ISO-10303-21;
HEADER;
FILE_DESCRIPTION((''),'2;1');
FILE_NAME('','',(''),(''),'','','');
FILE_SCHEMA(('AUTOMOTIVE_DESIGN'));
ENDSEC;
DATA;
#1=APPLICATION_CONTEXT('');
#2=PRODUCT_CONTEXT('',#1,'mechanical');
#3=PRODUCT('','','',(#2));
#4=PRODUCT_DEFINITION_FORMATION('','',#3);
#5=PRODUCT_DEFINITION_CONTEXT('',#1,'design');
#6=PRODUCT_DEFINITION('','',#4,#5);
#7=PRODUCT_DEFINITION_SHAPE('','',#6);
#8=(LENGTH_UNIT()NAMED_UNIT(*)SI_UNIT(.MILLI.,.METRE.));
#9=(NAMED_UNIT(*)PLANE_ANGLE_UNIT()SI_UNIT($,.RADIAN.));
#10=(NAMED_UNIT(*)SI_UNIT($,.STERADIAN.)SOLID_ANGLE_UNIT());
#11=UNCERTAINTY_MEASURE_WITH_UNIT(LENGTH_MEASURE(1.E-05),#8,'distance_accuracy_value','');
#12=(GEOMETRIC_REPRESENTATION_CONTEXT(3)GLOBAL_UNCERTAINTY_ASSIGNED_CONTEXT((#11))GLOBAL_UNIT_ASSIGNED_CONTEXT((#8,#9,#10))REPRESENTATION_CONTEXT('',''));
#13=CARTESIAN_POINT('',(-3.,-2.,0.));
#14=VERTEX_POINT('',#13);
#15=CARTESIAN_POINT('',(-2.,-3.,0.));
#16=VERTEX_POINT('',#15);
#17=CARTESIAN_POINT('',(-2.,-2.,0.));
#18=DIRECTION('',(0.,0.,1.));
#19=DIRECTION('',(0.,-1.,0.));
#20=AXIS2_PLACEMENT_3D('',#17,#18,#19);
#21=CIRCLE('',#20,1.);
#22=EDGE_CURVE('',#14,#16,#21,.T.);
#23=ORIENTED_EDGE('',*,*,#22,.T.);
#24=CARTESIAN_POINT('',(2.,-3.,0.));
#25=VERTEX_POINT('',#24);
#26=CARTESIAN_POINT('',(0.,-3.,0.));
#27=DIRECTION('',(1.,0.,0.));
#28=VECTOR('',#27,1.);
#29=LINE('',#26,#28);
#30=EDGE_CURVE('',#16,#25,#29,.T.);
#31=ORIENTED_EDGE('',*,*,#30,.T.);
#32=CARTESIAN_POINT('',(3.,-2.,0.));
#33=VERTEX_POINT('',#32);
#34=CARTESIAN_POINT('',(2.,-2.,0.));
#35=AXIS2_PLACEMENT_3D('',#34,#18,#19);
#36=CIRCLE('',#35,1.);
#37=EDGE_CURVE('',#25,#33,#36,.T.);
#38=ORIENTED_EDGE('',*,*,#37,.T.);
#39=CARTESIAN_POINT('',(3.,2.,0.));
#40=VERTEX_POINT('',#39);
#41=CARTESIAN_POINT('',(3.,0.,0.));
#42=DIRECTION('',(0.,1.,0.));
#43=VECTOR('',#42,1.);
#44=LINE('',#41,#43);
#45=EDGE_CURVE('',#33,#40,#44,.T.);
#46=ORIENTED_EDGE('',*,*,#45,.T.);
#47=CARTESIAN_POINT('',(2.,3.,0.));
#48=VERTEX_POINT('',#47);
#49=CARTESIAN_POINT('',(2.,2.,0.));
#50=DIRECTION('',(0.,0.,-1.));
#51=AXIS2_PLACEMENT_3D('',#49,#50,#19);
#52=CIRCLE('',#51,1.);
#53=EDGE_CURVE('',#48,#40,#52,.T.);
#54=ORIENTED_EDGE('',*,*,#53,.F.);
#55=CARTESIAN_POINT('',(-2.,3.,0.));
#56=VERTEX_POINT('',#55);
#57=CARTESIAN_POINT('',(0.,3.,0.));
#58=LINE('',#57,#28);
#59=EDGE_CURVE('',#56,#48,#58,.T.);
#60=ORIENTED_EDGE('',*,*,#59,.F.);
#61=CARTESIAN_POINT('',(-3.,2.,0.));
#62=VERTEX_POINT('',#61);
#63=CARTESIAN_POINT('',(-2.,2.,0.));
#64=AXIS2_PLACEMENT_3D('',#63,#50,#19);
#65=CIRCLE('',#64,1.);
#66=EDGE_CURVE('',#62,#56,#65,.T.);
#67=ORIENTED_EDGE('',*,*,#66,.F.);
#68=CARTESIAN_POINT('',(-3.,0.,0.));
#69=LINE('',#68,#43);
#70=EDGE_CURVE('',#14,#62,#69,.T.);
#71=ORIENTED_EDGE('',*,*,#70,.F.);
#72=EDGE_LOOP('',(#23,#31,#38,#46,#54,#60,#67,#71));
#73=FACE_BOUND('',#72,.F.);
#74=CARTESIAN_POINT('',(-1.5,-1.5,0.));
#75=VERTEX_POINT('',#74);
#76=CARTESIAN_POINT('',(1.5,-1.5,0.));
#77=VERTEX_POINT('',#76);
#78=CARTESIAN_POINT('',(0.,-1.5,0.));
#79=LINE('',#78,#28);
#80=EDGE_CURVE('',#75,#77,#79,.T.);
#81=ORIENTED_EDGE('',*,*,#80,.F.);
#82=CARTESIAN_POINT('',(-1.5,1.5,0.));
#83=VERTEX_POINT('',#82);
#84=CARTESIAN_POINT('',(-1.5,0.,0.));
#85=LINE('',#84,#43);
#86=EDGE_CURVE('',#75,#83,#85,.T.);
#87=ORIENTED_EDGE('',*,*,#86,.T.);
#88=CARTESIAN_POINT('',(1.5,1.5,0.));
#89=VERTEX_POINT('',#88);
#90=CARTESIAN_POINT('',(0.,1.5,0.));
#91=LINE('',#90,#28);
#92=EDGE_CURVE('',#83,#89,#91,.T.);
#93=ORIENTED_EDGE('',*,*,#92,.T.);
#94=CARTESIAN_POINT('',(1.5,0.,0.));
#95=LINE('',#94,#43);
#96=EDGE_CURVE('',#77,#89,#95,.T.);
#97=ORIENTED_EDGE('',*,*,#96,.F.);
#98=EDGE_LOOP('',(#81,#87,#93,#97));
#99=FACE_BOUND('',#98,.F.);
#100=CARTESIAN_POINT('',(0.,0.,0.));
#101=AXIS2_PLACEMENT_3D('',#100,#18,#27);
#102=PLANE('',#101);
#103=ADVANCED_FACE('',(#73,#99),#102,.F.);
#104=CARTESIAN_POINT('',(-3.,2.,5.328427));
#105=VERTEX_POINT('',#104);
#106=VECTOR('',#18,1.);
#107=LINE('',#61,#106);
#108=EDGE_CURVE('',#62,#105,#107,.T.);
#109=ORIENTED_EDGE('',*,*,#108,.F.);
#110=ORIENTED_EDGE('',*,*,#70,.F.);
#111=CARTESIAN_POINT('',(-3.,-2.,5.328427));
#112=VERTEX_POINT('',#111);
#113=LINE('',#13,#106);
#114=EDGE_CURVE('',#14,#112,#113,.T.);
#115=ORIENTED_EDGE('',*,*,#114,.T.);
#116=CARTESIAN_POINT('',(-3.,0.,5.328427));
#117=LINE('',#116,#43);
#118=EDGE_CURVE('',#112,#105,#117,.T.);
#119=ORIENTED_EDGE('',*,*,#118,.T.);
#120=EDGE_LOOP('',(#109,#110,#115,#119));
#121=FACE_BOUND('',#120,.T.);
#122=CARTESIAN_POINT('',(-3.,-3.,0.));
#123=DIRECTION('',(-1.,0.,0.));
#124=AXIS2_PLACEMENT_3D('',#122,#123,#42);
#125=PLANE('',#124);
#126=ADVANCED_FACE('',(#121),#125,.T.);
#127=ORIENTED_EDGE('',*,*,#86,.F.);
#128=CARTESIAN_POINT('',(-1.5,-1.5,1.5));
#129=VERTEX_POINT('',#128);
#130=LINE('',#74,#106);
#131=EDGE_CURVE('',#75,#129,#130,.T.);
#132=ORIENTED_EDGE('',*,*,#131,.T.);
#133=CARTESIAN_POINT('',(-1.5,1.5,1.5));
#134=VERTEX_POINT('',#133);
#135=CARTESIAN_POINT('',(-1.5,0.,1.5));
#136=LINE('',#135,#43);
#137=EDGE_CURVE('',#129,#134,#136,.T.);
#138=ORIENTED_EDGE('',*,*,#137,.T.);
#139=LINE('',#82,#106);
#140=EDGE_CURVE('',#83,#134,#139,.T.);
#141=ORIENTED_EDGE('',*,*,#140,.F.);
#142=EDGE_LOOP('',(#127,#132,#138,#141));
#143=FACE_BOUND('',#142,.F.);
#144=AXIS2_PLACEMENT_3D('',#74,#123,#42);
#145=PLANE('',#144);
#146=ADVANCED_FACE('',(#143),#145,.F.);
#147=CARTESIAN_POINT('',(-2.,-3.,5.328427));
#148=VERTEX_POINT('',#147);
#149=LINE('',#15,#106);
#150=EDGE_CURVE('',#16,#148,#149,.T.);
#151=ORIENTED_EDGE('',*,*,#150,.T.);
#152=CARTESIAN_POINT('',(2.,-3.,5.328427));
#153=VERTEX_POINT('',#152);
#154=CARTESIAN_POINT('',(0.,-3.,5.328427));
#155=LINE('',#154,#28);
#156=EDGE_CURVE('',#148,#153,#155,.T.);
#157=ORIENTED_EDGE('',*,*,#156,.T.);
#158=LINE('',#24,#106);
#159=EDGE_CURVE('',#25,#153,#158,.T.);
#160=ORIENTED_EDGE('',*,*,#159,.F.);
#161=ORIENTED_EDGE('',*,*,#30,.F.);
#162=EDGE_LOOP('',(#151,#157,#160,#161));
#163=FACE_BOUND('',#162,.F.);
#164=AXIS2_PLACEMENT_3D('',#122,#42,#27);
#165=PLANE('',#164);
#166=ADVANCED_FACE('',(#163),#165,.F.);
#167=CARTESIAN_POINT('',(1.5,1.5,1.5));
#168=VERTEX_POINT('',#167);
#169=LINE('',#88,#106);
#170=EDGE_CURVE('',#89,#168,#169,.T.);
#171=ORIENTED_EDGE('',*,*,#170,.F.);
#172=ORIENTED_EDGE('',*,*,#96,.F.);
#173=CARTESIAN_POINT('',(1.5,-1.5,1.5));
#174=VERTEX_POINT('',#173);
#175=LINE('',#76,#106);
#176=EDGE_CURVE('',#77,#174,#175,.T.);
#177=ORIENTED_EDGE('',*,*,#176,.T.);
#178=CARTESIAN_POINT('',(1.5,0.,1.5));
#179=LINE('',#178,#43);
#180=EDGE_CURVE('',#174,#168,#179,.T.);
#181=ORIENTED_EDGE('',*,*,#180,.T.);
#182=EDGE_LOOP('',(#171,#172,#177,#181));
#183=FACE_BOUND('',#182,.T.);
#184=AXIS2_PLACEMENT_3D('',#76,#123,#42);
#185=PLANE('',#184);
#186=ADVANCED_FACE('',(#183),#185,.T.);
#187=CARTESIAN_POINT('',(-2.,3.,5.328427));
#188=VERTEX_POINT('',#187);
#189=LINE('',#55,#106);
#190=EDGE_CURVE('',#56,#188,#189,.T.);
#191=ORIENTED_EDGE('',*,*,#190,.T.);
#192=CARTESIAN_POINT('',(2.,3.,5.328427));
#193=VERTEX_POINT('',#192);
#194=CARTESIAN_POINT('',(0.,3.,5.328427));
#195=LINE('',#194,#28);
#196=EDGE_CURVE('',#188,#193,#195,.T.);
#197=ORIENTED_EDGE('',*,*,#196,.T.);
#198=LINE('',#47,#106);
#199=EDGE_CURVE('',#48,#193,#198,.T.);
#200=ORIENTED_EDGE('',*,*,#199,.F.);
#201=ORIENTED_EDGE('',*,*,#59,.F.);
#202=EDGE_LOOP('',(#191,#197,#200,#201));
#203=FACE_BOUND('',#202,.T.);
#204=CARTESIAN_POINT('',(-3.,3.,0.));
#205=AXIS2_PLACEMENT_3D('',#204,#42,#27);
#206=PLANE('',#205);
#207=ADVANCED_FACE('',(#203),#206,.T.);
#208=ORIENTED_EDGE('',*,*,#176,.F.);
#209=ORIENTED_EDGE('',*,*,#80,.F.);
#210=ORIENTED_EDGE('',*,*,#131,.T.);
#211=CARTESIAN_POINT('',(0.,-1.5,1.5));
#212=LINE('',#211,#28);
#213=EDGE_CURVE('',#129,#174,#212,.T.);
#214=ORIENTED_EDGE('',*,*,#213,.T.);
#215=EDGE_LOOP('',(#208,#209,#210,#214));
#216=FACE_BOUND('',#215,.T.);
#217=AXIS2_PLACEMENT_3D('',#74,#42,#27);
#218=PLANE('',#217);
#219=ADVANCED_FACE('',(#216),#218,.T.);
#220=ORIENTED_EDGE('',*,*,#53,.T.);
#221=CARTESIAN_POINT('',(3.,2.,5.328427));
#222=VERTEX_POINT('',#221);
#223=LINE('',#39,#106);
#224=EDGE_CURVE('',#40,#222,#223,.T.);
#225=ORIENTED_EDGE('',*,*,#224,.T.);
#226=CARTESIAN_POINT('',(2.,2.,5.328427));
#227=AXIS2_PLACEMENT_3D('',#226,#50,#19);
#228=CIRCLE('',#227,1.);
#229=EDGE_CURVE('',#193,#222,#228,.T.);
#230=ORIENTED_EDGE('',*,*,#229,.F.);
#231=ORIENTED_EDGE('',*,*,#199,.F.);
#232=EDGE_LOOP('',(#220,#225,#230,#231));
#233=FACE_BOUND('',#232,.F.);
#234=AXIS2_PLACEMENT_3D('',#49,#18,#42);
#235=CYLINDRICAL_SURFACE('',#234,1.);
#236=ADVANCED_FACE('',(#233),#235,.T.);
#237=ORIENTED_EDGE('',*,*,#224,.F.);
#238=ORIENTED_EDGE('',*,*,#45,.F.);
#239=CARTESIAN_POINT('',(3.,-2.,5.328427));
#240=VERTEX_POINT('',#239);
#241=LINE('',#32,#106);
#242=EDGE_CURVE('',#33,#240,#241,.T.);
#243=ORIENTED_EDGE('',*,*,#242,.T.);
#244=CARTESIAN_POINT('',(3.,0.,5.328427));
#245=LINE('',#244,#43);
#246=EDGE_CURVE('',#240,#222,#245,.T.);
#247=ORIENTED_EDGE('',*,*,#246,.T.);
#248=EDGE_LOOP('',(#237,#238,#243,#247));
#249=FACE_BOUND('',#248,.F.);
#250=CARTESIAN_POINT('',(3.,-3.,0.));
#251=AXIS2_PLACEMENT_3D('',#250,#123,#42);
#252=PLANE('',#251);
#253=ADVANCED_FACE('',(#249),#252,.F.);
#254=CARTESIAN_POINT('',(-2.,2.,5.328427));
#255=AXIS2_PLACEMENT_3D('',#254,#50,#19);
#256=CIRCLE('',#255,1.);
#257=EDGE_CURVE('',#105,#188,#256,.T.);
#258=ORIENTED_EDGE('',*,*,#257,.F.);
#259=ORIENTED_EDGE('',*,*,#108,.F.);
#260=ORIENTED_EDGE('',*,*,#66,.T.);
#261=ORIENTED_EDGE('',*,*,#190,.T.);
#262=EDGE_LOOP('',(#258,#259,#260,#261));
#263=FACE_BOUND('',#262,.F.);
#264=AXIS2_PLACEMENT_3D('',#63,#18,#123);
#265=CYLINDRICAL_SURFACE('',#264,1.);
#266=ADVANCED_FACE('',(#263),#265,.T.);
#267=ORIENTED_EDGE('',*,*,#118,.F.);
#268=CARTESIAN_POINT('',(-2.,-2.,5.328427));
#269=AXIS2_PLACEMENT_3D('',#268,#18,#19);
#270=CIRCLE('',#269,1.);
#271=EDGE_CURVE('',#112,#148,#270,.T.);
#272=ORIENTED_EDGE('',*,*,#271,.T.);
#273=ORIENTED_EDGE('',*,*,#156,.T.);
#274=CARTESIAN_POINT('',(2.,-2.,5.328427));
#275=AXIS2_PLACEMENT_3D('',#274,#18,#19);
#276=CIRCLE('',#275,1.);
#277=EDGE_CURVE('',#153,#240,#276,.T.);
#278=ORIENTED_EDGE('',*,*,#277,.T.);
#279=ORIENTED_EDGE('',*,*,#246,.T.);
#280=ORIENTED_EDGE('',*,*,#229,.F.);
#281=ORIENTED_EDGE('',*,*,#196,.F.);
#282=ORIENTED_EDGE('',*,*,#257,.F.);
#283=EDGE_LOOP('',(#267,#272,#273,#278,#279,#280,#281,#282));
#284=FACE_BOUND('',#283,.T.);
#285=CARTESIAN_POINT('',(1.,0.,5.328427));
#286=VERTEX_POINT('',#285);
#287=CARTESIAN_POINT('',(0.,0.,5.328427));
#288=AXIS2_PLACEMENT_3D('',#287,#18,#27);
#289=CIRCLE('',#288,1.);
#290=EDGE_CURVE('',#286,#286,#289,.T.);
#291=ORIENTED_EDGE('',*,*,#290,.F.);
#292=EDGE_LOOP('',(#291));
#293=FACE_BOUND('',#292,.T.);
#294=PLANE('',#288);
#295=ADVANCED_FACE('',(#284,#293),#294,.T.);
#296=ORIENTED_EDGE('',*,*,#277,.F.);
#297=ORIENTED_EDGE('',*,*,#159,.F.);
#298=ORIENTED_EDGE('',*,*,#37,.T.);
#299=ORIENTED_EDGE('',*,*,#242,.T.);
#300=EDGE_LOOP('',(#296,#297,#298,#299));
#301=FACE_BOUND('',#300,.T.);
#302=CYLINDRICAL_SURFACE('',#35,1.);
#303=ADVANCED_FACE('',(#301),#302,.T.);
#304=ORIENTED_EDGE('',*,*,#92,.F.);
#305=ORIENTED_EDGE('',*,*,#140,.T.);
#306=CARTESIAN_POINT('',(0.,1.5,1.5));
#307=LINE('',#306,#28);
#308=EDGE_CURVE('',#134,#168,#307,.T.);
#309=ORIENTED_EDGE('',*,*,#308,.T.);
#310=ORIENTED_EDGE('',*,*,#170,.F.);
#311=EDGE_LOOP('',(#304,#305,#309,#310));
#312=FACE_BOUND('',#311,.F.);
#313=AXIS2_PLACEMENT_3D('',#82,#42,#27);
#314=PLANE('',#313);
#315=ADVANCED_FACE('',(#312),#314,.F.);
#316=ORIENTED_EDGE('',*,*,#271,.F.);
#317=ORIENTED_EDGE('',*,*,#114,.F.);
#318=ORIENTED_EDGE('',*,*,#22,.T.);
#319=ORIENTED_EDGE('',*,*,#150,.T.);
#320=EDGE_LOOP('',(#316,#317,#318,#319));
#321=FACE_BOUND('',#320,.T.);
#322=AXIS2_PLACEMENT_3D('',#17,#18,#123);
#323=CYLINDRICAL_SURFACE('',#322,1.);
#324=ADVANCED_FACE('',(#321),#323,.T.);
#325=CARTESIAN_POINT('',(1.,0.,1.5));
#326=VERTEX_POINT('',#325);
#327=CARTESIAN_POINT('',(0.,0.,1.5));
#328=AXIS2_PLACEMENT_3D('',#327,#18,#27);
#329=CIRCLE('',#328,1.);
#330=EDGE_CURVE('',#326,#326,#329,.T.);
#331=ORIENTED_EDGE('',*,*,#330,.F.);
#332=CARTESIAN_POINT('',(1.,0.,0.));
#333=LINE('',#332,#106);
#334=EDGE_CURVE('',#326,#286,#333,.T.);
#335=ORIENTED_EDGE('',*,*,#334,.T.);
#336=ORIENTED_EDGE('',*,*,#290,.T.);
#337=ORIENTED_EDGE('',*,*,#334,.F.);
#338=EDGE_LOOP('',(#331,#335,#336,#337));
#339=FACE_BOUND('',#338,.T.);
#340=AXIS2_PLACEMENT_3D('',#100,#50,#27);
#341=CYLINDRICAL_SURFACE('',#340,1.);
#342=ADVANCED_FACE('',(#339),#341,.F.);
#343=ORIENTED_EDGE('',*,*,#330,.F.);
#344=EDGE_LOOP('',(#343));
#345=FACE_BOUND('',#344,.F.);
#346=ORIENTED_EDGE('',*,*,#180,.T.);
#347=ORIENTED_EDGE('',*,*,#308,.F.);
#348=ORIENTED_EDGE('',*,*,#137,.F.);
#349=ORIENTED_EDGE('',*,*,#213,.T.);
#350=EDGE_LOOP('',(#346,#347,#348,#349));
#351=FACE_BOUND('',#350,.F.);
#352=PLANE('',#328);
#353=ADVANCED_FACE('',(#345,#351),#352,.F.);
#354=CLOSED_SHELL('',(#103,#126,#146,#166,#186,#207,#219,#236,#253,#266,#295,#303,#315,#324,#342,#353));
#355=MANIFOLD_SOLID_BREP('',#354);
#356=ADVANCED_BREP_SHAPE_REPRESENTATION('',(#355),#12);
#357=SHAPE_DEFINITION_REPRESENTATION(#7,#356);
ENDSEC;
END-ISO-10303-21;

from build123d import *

# Parameters (mm, degrees)
F0_W     = 6
F0_H     = 6
F0_W_2   = 3
F0_H_2   = 3
F0_R     = 1
F2_DEPTH = 5.328427
F3_DEPTH = 1.5
F4_R     = 1


with BuildPart() as f2:
    # F0 (on Top) → F2 (new body, through all)
    with BuildSketch(Plane.XY):
        Rectangle(F0_W, F0_H)
        Rectangle(F0_W_2, F0_H_2, mode=Mode.SUBTRACT)
        Rectangle(F0_W_2, F0_H_2)
        Circle(F0_R, mode=Mode.SUBTRACT)
    extrude(amount=F2_DEPTH)

    # F0 (on Top) → F3 (cut)
    with BuildSketch(Plane.XY):
        Rectangle(F0_W_2, F0_H_2)
        Circle(F0_R, mode=Mode.SUBTRACT)
    extrude(amount=F3_DEPTH, mode=Mode.SUBTRACT)

    # F4
    f4_edges = [f2.edges().sort_by_distance(p)[0] for p in [
        (-3, -3, 2.664214),
        (3, -3, 2.664214),
        (3, 3, 2.664214),
        (-3, 3, 2.664214),
    ]]
    fillet(f4_edges, radius=F4_R)


solid = f2.part
